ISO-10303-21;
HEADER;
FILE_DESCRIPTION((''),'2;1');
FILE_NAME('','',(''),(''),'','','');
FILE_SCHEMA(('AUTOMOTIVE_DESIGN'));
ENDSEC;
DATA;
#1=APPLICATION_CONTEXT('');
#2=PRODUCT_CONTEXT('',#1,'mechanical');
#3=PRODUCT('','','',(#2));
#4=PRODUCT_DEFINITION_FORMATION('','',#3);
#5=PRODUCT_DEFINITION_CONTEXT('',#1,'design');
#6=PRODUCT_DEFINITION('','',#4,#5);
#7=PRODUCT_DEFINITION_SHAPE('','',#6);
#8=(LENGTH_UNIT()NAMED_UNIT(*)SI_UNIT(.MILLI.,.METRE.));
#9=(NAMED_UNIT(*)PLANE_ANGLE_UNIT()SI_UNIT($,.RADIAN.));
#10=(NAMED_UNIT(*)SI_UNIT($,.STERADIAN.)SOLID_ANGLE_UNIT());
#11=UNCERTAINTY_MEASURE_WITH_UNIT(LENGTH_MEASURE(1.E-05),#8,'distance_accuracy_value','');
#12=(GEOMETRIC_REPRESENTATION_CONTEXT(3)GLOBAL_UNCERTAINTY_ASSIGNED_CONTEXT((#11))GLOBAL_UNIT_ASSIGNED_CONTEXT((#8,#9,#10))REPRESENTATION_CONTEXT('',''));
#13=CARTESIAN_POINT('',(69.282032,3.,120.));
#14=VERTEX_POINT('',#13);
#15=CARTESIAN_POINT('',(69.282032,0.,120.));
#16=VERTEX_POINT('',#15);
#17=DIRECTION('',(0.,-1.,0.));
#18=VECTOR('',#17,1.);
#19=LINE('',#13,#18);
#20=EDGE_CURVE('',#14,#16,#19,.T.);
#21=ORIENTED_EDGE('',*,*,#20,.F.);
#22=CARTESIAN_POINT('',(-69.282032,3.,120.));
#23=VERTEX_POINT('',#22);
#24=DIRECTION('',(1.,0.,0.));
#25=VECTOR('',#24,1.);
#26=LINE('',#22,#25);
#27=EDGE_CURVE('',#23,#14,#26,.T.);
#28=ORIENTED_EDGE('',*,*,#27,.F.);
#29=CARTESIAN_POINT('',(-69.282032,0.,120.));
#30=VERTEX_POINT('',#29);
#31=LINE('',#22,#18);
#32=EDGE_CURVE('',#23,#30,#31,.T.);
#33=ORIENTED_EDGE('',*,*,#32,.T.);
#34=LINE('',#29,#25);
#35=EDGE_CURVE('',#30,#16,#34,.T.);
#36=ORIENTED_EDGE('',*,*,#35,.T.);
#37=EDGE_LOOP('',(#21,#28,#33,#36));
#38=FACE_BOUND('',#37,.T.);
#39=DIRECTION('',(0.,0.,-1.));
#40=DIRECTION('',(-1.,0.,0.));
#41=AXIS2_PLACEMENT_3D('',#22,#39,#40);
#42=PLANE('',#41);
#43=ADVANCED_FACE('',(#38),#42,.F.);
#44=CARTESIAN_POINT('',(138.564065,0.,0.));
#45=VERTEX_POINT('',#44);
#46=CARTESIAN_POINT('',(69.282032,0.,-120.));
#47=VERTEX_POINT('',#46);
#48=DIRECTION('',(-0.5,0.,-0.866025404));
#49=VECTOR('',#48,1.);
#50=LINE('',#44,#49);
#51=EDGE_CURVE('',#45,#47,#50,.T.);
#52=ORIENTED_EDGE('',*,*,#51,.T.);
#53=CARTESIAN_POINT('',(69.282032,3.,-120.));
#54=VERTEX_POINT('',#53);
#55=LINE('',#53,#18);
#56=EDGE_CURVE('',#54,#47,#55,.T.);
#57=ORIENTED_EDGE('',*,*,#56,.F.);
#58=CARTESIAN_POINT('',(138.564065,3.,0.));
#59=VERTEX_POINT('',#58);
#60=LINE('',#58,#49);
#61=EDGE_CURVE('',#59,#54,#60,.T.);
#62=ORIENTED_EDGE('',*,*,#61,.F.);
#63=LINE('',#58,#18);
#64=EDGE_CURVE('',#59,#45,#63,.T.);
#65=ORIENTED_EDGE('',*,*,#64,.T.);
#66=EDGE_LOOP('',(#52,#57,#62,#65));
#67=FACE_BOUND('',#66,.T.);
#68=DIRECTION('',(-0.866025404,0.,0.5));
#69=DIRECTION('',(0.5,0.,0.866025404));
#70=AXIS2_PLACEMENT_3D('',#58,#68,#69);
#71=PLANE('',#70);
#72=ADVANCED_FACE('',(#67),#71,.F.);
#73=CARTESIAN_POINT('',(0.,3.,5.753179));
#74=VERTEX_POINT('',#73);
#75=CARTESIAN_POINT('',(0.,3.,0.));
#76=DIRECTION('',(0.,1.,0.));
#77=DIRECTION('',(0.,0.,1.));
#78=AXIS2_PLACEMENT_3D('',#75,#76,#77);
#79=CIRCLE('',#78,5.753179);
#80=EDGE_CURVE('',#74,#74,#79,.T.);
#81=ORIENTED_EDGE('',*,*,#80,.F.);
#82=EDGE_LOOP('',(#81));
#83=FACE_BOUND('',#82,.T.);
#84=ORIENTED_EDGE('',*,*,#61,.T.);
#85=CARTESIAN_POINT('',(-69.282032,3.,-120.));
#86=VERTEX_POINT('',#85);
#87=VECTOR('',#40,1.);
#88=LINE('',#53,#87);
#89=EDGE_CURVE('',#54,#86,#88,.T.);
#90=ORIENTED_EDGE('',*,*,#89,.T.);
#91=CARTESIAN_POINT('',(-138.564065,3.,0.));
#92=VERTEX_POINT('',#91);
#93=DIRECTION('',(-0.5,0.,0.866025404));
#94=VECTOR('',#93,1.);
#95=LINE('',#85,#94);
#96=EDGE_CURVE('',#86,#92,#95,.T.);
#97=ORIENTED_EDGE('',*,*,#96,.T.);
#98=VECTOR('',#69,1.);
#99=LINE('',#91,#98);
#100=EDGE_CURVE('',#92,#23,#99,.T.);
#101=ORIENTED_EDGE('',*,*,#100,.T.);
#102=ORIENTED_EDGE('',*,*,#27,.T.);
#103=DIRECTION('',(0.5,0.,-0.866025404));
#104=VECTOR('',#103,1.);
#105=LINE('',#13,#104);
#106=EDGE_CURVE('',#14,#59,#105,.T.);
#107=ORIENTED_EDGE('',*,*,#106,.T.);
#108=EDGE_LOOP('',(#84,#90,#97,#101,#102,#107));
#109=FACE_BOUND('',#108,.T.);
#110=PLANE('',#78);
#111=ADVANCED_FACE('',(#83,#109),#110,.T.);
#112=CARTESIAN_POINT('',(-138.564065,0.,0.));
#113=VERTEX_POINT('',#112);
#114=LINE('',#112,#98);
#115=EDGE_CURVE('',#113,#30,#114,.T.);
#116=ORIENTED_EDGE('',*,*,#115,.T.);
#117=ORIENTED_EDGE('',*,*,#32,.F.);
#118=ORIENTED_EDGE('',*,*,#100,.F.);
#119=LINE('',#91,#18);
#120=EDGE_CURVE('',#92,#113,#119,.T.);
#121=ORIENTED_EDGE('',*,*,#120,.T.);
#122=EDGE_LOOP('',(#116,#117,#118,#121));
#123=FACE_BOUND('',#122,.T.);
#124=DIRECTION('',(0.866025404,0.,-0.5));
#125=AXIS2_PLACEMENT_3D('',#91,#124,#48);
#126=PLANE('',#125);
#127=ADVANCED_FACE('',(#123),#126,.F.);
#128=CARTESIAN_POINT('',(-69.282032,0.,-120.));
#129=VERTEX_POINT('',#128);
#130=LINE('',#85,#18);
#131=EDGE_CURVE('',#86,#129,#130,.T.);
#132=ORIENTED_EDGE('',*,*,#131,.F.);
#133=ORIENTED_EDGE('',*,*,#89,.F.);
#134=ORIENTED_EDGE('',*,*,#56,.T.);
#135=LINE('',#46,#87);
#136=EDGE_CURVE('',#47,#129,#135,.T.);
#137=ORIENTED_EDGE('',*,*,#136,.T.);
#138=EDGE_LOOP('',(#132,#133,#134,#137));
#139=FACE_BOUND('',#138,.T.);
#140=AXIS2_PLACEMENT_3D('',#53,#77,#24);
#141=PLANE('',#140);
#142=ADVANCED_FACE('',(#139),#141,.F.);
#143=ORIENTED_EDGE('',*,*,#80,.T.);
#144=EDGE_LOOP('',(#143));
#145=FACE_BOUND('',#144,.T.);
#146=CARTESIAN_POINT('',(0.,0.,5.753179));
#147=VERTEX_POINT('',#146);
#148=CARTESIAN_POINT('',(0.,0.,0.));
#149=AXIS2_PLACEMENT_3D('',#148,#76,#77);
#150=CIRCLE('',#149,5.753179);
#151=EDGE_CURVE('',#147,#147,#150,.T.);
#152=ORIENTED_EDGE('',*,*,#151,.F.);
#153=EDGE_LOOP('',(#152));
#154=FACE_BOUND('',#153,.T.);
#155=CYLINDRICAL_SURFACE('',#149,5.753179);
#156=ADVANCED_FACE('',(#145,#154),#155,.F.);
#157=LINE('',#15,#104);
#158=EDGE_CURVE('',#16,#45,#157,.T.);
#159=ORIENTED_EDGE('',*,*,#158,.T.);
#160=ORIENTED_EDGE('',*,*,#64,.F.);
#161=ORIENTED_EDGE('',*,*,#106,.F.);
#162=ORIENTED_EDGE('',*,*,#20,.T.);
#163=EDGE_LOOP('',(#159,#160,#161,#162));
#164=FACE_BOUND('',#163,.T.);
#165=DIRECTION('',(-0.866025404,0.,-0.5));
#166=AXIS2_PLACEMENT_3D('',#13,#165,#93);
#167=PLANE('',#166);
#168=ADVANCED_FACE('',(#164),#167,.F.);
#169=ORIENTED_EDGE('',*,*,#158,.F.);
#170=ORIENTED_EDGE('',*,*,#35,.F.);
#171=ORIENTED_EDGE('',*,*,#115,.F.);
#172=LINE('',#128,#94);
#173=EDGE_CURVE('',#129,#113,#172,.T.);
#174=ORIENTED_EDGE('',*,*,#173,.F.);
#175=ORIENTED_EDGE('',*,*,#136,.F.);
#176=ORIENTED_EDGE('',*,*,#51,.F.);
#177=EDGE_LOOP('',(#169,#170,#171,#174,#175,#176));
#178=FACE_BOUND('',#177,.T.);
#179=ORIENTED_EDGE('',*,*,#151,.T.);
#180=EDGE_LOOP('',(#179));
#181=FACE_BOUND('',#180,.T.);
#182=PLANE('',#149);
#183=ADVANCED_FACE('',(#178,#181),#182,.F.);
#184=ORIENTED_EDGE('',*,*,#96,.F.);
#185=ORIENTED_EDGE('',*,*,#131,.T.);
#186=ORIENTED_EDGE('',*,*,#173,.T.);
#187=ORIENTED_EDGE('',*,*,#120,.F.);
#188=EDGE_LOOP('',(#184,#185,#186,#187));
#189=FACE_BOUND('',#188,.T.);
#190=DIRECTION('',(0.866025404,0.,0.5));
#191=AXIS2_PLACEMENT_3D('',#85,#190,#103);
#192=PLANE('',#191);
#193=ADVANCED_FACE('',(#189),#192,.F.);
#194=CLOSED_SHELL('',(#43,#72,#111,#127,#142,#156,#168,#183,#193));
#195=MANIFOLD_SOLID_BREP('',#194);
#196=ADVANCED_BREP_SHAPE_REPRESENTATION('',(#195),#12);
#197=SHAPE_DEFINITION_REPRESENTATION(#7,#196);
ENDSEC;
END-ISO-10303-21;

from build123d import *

# Parameters (mm, degrees)
BOSS_EXTRUDE1_DEPTH = 3
SKETCH5_R           = 5.753179175
CUT_EXTRUDE1_DEPTH  = 184.327575667


with BuildPart() as part:
    # Sketch1 → Boss-Extrude1 (new body)
    with BuildSketch(Plane(origin=(0, 0, 0), x_dir=(1, 0, 0), z_dir=(0, 1, 0))):
        Polygon((69.282032303, 120), (-69.282032303, 120), (-138.564064606, 0), (-69.282032303, -120), (69.282032303, -120), (138.564064606, 0), align=None)
    extrude(amount=BOSS_EXTRUDE1_DEPTH)

    # Sketch5 → Cut-Extrude1 (cut, through all)
    with BuildSketch(Plane(origin=(0, 3, 0), x_dir=(1, 0, 0), z_dir=(0, 1, 0))):
        with Locations(Location((0, 0, 0), (0, 0, 270))):
            Circle(SKETCH5_R)
    extrude(amount=-CUT_EXTRUDE1_DEPTH, mode=Mode.SUBTRACT)


solid = part.part
